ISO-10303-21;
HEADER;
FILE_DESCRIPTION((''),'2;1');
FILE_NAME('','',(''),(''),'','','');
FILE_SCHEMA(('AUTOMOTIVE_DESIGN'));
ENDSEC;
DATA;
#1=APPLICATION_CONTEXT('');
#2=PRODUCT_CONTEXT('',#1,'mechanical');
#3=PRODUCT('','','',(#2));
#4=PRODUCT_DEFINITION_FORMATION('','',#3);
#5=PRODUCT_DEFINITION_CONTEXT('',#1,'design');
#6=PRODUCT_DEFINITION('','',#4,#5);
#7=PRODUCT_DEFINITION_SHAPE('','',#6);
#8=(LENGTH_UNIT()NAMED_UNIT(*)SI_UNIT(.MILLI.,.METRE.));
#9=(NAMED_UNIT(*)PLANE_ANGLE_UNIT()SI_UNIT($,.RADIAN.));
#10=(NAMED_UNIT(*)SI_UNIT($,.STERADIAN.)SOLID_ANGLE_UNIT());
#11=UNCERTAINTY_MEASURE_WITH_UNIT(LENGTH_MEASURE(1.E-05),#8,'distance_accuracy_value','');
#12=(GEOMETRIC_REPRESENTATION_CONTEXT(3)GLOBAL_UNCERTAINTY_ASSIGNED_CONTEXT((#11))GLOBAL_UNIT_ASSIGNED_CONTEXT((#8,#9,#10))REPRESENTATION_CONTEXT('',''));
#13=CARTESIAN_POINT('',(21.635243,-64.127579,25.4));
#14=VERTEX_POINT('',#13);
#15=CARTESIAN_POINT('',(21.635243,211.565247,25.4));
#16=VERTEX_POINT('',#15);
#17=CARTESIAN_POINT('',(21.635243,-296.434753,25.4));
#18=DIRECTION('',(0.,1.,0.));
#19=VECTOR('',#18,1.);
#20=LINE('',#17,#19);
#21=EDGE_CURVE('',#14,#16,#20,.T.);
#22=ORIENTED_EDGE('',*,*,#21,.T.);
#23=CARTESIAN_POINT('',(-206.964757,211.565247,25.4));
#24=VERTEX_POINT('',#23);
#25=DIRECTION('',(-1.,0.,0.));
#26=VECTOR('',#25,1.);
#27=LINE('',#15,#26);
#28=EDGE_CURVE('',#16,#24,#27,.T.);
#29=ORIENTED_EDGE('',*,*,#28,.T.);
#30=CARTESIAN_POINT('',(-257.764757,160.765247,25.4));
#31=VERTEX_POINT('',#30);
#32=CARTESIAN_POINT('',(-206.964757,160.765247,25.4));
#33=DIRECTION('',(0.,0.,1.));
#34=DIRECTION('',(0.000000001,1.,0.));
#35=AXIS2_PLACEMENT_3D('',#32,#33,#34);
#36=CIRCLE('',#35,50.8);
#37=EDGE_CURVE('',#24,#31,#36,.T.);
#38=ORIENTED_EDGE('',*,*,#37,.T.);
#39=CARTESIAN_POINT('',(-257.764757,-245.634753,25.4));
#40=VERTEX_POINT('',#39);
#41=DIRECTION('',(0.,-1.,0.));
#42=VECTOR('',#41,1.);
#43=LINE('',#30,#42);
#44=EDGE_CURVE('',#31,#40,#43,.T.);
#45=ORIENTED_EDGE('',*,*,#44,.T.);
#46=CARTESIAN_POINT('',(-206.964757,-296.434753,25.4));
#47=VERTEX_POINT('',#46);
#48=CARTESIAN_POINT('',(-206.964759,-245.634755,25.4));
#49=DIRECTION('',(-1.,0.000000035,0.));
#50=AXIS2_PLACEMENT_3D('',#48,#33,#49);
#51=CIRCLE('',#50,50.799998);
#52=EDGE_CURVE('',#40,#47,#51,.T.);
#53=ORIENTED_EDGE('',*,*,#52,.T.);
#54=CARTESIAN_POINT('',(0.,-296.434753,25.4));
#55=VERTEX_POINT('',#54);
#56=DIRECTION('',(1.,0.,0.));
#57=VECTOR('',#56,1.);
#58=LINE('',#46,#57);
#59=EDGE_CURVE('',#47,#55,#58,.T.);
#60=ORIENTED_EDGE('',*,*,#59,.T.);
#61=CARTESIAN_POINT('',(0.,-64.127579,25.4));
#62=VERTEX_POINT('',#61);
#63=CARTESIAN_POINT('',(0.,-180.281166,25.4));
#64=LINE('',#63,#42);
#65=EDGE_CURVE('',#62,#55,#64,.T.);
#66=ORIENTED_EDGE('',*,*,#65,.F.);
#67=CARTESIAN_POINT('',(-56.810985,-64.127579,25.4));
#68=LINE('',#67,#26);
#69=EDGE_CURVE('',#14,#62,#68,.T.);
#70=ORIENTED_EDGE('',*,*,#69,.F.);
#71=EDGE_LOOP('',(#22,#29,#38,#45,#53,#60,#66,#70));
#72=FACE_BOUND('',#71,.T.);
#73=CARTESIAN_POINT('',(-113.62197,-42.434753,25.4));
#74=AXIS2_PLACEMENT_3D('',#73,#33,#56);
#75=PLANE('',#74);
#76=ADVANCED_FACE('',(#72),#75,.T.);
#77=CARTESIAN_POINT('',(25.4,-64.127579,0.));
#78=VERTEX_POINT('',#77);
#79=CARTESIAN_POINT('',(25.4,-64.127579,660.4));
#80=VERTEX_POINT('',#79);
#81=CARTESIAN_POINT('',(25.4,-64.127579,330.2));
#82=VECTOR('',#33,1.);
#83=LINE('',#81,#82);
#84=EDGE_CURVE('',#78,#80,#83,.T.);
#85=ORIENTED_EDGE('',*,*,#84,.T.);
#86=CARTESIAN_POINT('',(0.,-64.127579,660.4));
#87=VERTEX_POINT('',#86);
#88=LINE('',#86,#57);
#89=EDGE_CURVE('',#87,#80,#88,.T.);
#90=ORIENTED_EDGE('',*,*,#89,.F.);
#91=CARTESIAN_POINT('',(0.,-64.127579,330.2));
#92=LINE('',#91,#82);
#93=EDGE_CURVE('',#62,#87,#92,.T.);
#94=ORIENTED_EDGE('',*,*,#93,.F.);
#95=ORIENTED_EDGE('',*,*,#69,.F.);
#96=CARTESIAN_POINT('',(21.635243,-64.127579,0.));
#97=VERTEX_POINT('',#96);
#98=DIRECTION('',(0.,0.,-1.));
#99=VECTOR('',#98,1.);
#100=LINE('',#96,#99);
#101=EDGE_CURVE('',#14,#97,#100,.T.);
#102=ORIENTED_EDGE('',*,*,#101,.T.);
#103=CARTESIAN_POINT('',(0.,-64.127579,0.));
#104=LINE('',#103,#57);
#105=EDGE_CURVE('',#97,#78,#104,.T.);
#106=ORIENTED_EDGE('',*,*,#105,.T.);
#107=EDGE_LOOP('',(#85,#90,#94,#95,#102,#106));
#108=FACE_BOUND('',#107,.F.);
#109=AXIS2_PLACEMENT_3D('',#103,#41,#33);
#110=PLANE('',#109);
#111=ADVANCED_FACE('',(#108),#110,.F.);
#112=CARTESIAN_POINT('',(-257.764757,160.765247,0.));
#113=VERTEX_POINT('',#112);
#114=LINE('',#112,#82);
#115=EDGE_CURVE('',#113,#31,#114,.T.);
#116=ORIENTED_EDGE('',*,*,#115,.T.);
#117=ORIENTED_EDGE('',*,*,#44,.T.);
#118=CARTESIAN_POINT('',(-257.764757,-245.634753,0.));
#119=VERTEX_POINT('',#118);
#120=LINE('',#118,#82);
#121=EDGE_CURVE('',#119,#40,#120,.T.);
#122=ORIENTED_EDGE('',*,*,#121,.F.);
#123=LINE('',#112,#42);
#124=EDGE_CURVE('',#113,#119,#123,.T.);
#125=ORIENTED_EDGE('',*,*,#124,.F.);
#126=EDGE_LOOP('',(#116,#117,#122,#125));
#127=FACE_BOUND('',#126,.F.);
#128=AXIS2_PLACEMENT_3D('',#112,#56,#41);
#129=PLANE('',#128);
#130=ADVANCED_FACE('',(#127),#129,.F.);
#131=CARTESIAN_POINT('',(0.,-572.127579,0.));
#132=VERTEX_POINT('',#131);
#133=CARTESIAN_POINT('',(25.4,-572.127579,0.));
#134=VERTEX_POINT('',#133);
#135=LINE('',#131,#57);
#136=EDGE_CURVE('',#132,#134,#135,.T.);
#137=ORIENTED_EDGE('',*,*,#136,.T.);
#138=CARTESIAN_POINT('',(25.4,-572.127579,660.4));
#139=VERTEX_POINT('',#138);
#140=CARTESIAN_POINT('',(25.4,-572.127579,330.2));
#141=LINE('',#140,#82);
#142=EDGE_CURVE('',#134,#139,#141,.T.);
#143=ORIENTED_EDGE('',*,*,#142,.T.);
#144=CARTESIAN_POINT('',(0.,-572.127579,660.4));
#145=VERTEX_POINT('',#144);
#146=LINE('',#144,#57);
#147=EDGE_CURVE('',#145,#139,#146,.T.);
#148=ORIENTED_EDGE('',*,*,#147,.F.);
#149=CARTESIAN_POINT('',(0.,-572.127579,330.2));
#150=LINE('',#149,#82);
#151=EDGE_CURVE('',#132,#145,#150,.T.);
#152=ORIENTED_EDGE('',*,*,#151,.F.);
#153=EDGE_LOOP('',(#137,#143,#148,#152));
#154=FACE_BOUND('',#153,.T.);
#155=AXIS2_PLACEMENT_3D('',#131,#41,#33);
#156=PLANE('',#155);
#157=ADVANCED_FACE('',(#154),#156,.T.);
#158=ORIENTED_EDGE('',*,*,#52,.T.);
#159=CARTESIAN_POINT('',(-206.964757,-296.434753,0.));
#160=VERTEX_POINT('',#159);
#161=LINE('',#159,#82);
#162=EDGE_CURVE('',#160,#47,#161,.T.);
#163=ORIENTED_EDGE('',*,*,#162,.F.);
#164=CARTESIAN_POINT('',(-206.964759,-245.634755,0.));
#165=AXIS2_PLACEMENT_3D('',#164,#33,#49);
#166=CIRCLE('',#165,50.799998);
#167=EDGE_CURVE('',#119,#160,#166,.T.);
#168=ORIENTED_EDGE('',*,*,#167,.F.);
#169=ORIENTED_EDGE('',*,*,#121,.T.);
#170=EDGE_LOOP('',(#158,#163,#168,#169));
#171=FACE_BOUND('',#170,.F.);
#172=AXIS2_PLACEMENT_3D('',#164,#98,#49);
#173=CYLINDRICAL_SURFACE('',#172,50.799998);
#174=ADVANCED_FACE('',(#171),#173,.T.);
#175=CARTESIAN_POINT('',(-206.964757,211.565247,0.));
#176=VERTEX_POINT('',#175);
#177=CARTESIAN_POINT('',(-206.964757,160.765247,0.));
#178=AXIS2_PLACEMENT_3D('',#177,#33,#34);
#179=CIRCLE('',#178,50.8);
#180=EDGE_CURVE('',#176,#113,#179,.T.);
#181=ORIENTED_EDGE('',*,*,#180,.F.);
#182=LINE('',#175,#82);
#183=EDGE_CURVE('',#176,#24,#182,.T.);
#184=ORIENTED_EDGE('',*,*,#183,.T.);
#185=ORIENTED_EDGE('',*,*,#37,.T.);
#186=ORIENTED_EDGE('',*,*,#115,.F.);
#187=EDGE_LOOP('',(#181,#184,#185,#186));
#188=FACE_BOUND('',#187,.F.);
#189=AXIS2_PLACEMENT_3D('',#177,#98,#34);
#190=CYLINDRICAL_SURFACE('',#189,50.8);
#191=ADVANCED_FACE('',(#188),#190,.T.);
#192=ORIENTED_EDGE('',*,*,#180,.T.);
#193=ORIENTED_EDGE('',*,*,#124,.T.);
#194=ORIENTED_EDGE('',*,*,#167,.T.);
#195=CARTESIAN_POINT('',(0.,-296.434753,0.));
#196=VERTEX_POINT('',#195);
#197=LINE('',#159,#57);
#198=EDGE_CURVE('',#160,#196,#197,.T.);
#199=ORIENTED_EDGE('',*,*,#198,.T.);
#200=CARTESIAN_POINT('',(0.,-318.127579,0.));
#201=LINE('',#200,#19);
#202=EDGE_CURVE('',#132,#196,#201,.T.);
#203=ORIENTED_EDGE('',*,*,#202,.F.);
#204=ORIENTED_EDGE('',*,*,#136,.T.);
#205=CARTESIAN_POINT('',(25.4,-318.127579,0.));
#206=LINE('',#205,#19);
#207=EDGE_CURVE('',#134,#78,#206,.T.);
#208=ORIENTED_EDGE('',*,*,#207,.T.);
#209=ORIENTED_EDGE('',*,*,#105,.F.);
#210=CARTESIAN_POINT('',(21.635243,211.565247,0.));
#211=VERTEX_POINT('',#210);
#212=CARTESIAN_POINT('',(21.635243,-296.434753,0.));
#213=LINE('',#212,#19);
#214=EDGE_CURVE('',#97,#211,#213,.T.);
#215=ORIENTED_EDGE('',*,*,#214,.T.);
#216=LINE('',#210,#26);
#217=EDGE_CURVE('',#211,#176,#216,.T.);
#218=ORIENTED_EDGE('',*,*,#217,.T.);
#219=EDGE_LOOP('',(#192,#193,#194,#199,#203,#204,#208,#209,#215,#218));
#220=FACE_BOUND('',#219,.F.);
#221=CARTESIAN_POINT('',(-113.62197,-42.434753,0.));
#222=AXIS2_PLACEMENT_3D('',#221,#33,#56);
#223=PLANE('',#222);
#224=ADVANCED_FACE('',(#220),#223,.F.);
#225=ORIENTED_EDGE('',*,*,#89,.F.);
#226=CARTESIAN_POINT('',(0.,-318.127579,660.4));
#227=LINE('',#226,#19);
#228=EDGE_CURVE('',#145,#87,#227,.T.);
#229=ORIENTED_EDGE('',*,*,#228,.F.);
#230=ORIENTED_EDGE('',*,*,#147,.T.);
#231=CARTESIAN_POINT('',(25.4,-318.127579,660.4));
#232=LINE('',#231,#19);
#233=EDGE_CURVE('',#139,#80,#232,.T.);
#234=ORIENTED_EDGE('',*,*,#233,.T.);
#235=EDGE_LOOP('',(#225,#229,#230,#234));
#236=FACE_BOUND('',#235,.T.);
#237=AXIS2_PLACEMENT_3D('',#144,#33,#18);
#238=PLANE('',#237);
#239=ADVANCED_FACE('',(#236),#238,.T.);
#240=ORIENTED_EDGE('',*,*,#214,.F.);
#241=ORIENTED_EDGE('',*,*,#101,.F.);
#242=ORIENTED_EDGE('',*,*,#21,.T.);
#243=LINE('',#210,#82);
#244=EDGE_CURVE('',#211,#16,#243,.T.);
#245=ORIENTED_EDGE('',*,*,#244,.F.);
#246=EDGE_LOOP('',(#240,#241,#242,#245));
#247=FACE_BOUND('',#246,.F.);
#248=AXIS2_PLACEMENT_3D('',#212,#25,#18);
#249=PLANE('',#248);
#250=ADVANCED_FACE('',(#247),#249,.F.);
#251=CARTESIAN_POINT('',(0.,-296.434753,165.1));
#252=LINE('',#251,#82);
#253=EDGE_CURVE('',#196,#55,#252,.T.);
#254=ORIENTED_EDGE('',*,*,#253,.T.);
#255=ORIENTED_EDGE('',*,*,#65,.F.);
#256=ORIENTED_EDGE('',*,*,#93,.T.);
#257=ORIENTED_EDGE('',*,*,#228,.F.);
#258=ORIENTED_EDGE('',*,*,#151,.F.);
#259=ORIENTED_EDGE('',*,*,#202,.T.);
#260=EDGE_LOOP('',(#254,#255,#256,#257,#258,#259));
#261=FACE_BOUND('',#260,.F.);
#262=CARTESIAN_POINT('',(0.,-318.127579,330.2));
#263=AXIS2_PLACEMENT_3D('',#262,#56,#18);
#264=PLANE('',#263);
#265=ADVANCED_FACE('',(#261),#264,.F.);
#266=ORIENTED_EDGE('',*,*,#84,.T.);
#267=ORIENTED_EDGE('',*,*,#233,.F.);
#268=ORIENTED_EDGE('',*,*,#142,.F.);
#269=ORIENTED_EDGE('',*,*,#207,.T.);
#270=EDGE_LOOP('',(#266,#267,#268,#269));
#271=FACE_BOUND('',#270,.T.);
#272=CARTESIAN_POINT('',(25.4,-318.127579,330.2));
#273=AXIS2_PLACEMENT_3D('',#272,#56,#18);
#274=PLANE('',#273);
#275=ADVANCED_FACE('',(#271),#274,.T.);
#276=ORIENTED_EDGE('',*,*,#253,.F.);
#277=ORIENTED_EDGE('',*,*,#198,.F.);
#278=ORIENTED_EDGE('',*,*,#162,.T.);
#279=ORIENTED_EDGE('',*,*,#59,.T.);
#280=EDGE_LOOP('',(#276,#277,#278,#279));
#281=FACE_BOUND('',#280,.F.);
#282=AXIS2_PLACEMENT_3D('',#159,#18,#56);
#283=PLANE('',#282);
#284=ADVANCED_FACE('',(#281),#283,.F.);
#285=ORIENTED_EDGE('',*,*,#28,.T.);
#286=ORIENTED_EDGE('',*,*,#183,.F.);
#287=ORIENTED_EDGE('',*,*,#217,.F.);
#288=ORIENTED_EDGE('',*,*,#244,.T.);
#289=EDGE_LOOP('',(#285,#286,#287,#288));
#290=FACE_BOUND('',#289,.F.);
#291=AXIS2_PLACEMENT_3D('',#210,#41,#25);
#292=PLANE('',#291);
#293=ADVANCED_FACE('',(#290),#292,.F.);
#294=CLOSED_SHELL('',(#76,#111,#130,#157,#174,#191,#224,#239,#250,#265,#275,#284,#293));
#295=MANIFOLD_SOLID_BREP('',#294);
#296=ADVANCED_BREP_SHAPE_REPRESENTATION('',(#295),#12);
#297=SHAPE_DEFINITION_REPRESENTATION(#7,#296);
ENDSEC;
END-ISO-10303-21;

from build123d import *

# Parameters (mm, degrees)
F1_W     = 508
F1_H     = 660.4
F2_DEPTH = 25.4
F3_DEPTH = 25.4


with BuildPart() as f2:
    # F1 (on Right) → F2 (new body)
    with BuildSketch(Plane.YZ):
        with Locations((-318.127579, 330.2)):
            Rectangle(F1_W, F1_H)
    extrude(amount=F2_DEPTH)

    # F0 (on Top) → F3 (join)
    with BuildSketch(Plane.XY):
        with BuildLine():
            Line((21.635243, 211.565247), (-206.964757, 211.565247))
            ThreePointArc((-206.964757, 211.565247), (-242.885782, 196.686271), (-257.764757, 160.765247))
            Line((-257.764757, 160.765247), (-257.764757, -245.634753))
            ThreePointArc((-257.764757, -245.634753), (-242.885782, -281.555778), (-206.964757, -296.434753))
            Line((-206.964757, -296.434753), (21.635243, -296.434753))
            Line((21.635243, -296.434753), (21.635243, 211.565247))
        make_face()
    extrude(amount=F3_DEPTH)


solid = f2.part
